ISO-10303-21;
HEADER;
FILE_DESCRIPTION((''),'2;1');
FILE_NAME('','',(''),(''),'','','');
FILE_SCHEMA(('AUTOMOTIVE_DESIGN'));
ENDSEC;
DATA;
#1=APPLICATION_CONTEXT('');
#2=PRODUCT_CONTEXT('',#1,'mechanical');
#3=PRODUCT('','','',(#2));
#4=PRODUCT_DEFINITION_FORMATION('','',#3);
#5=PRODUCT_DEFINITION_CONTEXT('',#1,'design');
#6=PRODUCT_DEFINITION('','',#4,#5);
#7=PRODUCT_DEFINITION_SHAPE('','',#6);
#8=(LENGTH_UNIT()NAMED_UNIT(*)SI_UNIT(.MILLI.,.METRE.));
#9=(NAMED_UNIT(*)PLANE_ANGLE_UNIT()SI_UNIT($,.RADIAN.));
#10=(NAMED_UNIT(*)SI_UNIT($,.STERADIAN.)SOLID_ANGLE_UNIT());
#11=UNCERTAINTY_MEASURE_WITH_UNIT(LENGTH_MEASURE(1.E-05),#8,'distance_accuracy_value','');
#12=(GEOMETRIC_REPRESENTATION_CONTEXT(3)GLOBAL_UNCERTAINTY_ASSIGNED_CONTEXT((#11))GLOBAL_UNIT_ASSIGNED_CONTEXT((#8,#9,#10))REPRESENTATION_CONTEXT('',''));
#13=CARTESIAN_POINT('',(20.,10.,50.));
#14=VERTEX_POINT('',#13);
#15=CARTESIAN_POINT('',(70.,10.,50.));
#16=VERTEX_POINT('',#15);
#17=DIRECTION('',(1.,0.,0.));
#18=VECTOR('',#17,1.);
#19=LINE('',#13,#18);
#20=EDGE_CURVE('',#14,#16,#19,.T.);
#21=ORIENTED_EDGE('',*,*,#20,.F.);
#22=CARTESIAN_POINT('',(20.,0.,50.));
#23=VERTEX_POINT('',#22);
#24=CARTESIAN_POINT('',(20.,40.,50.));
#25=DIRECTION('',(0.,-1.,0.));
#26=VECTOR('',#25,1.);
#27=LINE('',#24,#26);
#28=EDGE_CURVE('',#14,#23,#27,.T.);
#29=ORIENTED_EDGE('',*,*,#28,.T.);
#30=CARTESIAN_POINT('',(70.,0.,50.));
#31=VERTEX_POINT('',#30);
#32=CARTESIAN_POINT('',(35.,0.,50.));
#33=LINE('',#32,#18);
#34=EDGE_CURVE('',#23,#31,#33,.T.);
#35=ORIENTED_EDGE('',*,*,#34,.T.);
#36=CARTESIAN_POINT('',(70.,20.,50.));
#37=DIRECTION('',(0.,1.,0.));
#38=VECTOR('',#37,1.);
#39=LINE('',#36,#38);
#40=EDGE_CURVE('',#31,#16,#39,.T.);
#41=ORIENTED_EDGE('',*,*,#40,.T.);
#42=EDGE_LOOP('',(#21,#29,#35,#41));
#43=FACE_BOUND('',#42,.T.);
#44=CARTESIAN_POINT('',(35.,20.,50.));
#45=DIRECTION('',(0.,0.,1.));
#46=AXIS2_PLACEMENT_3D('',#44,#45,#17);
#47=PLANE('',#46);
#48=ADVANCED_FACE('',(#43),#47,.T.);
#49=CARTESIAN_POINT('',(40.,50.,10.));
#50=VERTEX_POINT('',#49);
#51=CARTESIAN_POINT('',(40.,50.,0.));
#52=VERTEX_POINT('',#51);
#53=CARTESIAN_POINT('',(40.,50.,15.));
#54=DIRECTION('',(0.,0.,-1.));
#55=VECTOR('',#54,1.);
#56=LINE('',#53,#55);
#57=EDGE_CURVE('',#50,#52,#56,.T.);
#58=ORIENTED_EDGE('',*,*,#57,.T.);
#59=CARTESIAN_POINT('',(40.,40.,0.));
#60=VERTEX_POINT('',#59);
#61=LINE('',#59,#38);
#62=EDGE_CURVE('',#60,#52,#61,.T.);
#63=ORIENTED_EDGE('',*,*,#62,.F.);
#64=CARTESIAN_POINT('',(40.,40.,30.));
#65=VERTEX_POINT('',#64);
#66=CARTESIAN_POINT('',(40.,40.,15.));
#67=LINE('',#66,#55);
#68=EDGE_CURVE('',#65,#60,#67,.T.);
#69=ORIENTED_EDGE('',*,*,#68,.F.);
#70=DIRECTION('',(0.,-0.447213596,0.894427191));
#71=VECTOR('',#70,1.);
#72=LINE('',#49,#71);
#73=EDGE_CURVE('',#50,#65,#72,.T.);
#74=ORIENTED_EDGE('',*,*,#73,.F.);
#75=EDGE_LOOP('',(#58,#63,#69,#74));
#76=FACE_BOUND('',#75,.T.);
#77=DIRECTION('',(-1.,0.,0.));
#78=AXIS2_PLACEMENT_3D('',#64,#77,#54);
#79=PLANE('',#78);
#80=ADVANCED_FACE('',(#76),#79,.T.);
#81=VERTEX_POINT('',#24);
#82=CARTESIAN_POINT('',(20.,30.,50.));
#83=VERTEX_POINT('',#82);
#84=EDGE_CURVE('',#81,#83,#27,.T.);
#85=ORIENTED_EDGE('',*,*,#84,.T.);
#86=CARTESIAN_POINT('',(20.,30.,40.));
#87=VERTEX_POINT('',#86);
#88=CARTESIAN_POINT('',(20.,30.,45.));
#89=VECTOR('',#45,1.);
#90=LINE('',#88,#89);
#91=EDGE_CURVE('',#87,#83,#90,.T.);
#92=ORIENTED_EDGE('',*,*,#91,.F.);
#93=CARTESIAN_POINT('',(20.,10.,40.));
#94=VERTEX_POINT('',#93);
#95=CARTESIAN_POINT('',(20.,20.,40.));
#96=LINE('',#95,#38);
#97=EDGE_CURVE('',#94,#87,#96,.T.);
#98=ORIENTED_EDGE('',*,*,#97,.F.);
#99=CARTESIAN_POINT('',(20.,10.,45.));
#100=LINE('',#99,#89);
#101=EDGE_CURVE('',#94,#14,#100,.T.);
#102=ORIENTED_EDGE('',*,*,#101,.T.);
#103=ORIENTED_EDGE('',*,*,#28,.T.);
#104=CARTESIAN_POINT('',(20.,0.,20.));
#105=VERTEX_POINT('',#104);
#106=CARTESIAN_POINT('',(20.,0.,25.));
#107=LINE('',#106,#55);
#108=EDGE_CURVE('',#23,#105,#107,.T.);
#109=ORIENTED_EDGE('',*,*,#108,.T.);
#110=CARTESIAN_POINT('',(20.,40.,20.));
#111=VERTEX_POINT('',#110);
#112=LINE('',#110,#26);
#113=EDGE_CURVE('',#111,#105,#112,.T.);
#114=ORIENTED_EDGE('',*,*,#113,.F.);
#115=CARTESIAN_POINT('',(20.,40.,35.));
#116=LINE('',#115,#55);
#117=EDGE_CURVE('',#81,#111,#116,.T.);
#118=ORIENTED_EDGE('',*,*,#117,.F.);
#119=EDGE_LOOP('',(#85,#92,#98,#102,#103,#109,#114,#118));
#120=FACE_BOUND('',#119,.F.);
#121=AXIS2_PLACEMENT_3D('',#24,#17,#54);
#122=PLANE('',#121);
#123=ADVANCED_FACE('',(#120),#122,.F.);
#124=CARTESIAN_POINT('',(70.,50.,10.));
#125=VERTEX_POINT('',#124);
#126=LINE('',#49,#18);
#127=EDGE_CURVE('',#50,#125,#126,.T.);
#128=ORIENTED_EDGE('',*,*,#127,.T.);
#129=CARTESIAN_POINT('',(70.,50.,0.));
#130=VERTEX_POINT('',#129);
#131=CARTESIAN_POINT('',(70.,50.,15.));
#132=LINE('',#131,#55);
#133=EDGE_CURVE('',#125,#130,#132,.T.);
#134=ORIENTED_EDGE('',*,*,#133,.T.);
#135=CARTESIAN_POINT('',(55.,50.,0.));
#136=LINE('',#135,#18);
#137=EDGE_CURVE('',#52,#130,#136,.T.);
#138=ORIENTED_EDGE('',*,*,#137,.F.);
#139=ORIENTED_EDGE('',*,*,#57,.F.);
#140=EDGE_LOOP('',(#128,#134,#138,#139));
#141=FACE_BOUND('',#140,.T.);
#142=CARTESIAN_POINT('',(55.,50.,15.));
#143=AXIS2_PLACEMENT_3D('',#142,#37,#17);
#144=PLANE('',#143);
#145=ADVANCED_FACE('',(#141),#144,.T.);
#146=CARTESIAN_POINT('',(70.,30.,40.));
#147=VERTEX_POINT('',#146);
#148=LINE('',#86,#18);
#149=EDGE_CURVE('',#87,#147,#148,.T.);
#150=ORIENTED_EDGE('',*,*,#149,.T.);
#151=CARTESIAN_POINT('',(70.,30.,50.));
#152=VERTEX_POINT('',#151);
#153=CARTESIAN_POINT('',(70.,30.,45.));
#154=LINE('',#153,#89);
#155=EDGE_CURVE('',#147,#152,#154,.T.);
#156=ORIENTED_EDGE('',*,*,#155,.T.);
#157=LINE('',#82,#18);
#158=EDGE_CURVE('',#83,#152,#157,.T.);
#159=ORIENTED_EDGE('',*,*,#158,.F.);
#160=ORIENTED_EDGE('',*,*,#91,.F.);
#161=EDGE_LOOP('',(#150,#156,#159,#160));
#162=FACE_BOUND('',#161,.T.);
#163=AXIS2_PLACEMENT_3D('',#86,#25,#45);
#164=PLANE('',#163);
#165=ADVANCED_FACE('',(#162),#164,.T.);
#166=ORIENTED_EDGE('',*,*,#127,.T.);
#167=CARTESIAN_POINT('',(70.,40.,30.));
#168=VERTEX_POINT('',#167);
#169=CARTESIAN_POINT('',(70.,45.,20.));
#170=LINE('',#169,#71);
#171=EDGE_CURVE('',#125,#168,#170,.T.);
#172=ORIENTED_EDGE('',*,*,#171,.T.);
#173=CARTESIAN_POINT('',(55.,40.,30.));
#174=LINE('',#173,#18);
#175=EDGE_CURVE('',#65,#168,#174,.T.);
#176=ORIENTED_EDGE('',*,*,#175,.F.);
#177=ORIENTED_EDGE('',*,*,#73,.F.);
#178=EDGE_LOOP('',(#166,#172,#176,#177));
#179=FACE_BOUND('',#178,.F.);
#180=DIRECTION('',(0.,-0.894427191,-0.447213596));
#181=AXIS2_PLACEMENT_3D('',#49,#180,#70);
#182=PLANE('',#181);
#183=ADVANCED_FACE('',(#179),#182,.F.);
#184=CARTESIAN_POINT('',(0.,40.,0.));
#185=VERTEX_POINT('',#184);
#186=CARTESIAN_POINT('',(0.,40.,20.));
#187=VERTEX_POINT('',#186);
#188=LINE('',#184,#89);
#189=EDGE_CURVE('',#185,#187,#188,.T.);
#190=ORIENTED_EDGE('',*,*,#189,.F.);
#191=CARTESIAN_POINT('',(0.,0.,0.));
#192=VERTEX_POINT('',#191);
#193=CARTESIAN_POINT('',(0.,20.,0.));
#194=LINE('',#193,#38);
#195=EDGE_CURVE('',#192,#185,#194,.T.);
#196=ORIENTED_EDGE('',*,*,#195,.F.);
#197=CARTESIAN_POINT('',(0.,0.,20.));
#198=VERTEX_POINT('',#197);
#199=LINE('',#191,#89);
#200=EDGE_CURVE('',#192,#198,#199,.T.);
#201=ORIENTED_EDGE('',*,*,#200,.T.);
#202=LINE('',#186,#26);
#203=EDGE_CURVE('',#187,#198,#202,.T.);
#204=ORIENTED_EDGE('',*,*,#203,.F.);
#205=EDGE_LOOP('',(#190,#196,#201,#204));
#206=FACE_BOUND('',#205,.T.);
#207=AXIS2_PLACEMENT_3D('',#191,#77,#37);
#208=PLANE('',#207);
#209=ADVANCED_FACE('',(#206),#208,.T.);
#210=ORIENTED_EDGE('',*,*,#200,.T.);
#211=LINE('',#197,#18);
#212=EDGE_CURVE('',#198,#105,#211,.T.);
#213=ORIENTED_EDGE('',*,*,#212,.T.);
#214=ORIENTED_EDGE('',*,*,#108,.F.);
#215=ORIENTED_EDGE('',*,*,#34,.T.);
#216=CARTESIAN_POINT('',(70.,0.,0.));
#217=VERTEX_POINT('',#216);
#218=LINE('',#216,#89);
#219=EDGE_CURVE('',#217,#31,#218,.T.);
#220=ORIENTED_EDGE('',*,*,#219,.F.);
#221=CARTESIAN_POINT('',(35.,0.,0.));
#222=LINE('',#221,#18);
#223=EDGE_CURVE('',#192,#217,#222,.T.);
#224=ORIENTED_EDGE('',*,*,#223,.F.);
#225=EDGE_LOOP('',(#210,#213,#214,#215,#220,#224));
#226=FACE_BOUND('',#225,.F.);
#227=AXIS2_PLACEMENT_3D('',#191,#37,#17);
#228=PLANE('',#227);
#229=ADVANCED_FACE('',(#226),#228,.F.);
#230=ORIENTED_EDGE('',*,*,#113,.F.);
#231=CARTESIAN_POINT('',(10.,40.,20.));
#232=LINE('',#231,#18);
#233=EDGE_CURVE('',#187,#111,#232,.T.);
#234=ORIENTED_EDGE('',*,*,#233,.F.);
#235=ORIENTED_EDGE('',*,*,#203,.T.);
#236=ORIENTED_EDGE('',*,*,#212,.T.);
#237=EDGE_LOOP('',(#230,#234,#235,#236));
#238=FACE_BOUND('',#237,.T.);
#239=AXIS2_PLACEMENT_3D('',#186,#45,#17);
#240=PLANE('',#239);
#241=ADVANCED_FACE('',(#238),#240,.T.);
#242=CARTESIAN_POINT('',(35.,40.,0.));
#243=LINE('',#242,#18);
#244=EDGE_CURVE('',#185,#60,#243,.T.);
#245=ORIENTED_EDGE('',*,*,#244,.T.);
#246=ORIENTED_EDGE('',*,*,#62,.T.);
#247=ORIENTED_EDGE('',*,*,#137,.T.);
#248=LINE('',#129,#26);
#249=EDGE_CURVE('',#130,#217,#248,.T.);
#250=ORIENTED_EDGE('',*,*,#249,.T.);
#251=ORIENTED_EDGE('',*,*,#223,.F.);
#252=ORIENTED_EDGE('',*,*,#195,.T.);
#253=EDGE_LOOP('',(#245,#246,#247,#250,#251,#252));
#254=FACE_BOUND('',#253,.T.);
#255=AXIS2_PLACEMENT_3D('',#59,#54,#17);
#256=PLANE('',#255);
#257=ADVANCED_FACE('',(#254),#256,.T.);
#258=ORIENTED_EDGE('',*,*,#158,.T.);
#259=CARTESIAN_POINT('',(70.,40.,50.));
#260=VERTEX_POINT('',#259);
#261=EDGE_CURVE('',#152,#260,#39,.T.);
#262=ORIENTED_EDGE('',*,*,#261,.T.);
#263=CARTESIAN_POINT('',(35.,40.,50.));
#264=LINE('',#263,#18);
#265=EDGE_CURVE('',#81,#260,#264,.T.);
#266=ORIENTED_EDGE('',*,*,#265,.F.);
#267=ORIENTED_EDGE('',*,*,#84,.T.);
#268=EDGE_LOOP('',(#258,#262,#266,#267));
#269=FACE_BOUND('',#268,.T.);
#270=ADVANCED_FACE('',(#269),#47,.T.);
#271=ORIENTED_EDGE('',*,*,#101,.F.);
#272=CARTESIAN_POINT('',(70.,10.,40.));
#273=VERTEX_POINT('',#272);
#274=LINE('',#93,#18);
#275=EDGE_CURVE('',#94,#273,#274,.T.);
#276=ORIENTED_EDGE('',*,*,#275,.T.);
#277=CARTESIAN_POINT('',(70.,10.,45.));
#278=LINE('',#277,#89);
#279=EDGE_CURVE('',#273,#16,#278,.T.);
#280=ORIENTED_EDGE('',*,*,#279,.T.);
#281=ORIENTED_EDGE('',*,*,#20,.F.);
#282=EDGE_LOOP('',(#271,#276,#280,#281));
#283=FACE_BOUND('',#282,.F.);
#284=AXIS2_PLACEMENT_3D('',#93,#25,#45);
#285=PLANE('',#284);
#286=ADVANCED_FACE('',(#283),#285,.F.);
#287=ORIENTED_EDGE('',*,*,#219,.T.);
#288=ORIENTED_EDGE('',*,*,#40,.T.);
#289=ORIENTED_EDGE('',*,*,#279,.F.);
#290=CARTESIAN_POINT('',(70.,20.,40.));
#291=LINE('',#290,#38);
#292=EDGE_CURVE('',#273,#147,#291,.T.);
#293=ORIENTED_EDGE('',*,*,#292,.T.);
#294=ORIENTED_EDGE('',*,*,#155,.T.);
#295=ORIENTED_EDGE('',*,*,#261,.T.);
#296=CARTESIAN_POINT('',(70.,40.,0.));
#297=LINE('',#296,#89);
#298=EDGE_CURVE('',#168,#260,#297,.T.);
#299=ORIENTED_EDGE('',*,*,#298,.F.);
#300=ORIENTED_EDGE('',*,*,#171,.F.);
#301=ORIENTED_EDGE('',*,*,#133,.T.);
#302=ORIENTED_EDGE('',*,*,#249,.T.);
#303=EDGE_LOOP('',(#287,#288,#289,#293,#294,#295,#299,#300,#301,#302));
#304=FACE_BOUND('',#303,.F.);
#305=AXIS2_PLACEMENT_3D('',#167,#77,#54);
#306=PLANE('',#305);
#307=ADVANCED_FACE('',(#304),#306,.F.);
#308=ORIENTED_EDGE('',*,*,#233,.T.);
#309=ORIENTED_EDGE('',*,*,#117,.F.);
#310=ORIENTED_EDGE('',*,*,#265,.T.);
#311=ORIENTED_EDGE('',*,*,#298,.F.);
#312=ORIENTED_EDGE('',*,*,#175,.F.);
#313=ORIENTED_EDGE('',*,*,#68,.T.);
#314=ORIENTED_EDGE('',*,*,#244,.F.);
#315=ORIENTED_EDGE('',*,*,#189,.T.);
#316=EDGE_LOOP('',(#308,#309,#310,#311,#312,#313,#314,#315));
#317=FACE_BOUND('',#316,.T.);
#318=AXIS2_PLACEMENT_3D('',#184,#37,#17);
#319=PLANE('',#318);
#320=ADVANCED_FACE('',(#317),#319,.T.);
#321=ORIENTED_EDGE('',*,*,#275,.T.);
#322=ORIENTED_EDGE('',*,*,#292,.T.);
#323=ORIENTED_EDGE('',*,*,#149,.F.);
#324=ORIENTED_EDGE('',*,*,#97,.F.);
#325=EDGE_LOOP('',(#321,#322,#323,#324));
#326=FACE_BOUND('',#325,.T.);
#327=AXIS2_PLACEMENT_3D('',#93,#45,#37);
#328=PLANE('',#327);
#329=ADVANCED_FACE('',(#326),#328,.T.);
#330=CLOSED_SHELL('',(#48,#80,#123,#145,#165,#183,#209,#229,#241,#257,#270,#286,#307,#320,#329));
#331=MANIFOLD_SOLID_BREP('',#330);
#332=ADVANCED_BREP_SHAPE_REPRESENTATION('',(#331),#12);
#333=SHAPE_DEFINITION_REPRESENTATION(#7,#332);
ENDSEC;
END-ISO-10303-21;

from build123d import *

# Parameters (mm, degrees)
SKETCH1_W           = 70
SKETCH1_H           = 40
BOSS_EXTRUDE1_DEPTH = 50
SKETCH2_W           = 20
SKETCH2_H           = 30
CUT_EXTRUDE1_DEPTH  = 50
SKETCH3_W           = 10
SKETCH3_H           = 20
CUT_EXTRUDE2_DEPTH  = 50
SKETCH4_W           = 30
SKETCH4_H           = 30
BOSS_EXTRUDE2_DEPTH = 10
CUT_EXTRUDE3_DEPTH  = 56


with BuildPart() as part:
    # Sketch1 → Boss-Extrude1 (new body)
    with BuildSketch(Plane.XY):
        with Locations((35, 20)):
            Rectangle(SKETCH1_W, SKETCH1_H)
    extrude(amount=BOSS_EXTRUDE1_DEPTH)

    # Sketch2 → Cut-Extrude1 (cut)
    with BuildSketch(Plane(origin=(0, 40, 0), x_dir=(1, 0, 0), z_dir=(0, 1, 0))):
        with Locations((10, -35)):
            Rectangle(SKETCH2_W, SKETCH2_H)
    extrude(amount=-CUT_EXTRUDE1_DEPTH, mode=Mode.SUBTRACT)

    # Sketch3 → Cut-Extrude2 (cut)
    with BuildSketch(Plane.ZY.offset(-20)):
        with Locations((45, 20)):
            Rectangle(SKETCH3_W, SKETCH3_H)
    extrude(amount=-CUT_EXTRUDE2_DEPTH, mode=Mode.SUBTRACT)

    # Sketch4 → Boss-Extrude2 (add)
    with BuildSketch(Plane(origin=(0, 40, 0), x_dir=(1, 0, 0), z_dir=(0, 1, 0))):
        with Locations((55, -15)):
            Rectangle(SKETCH4_W, SKETCH4_H)
    extrude(amount=BOSS_EXTRUDE2_DEPTH)

    # Sketch5 → Cut-Extrude3 (cut)
    with BuildSketch(Plane.ZY.offset(-40)):
        Polygon((10, 50), (30, 40), (30, 50), align=None)
    extrude(amount=-CUT_EXTRUDE3_DEPTH, mode=Mode.SUBTRACT)


solid = part.part
